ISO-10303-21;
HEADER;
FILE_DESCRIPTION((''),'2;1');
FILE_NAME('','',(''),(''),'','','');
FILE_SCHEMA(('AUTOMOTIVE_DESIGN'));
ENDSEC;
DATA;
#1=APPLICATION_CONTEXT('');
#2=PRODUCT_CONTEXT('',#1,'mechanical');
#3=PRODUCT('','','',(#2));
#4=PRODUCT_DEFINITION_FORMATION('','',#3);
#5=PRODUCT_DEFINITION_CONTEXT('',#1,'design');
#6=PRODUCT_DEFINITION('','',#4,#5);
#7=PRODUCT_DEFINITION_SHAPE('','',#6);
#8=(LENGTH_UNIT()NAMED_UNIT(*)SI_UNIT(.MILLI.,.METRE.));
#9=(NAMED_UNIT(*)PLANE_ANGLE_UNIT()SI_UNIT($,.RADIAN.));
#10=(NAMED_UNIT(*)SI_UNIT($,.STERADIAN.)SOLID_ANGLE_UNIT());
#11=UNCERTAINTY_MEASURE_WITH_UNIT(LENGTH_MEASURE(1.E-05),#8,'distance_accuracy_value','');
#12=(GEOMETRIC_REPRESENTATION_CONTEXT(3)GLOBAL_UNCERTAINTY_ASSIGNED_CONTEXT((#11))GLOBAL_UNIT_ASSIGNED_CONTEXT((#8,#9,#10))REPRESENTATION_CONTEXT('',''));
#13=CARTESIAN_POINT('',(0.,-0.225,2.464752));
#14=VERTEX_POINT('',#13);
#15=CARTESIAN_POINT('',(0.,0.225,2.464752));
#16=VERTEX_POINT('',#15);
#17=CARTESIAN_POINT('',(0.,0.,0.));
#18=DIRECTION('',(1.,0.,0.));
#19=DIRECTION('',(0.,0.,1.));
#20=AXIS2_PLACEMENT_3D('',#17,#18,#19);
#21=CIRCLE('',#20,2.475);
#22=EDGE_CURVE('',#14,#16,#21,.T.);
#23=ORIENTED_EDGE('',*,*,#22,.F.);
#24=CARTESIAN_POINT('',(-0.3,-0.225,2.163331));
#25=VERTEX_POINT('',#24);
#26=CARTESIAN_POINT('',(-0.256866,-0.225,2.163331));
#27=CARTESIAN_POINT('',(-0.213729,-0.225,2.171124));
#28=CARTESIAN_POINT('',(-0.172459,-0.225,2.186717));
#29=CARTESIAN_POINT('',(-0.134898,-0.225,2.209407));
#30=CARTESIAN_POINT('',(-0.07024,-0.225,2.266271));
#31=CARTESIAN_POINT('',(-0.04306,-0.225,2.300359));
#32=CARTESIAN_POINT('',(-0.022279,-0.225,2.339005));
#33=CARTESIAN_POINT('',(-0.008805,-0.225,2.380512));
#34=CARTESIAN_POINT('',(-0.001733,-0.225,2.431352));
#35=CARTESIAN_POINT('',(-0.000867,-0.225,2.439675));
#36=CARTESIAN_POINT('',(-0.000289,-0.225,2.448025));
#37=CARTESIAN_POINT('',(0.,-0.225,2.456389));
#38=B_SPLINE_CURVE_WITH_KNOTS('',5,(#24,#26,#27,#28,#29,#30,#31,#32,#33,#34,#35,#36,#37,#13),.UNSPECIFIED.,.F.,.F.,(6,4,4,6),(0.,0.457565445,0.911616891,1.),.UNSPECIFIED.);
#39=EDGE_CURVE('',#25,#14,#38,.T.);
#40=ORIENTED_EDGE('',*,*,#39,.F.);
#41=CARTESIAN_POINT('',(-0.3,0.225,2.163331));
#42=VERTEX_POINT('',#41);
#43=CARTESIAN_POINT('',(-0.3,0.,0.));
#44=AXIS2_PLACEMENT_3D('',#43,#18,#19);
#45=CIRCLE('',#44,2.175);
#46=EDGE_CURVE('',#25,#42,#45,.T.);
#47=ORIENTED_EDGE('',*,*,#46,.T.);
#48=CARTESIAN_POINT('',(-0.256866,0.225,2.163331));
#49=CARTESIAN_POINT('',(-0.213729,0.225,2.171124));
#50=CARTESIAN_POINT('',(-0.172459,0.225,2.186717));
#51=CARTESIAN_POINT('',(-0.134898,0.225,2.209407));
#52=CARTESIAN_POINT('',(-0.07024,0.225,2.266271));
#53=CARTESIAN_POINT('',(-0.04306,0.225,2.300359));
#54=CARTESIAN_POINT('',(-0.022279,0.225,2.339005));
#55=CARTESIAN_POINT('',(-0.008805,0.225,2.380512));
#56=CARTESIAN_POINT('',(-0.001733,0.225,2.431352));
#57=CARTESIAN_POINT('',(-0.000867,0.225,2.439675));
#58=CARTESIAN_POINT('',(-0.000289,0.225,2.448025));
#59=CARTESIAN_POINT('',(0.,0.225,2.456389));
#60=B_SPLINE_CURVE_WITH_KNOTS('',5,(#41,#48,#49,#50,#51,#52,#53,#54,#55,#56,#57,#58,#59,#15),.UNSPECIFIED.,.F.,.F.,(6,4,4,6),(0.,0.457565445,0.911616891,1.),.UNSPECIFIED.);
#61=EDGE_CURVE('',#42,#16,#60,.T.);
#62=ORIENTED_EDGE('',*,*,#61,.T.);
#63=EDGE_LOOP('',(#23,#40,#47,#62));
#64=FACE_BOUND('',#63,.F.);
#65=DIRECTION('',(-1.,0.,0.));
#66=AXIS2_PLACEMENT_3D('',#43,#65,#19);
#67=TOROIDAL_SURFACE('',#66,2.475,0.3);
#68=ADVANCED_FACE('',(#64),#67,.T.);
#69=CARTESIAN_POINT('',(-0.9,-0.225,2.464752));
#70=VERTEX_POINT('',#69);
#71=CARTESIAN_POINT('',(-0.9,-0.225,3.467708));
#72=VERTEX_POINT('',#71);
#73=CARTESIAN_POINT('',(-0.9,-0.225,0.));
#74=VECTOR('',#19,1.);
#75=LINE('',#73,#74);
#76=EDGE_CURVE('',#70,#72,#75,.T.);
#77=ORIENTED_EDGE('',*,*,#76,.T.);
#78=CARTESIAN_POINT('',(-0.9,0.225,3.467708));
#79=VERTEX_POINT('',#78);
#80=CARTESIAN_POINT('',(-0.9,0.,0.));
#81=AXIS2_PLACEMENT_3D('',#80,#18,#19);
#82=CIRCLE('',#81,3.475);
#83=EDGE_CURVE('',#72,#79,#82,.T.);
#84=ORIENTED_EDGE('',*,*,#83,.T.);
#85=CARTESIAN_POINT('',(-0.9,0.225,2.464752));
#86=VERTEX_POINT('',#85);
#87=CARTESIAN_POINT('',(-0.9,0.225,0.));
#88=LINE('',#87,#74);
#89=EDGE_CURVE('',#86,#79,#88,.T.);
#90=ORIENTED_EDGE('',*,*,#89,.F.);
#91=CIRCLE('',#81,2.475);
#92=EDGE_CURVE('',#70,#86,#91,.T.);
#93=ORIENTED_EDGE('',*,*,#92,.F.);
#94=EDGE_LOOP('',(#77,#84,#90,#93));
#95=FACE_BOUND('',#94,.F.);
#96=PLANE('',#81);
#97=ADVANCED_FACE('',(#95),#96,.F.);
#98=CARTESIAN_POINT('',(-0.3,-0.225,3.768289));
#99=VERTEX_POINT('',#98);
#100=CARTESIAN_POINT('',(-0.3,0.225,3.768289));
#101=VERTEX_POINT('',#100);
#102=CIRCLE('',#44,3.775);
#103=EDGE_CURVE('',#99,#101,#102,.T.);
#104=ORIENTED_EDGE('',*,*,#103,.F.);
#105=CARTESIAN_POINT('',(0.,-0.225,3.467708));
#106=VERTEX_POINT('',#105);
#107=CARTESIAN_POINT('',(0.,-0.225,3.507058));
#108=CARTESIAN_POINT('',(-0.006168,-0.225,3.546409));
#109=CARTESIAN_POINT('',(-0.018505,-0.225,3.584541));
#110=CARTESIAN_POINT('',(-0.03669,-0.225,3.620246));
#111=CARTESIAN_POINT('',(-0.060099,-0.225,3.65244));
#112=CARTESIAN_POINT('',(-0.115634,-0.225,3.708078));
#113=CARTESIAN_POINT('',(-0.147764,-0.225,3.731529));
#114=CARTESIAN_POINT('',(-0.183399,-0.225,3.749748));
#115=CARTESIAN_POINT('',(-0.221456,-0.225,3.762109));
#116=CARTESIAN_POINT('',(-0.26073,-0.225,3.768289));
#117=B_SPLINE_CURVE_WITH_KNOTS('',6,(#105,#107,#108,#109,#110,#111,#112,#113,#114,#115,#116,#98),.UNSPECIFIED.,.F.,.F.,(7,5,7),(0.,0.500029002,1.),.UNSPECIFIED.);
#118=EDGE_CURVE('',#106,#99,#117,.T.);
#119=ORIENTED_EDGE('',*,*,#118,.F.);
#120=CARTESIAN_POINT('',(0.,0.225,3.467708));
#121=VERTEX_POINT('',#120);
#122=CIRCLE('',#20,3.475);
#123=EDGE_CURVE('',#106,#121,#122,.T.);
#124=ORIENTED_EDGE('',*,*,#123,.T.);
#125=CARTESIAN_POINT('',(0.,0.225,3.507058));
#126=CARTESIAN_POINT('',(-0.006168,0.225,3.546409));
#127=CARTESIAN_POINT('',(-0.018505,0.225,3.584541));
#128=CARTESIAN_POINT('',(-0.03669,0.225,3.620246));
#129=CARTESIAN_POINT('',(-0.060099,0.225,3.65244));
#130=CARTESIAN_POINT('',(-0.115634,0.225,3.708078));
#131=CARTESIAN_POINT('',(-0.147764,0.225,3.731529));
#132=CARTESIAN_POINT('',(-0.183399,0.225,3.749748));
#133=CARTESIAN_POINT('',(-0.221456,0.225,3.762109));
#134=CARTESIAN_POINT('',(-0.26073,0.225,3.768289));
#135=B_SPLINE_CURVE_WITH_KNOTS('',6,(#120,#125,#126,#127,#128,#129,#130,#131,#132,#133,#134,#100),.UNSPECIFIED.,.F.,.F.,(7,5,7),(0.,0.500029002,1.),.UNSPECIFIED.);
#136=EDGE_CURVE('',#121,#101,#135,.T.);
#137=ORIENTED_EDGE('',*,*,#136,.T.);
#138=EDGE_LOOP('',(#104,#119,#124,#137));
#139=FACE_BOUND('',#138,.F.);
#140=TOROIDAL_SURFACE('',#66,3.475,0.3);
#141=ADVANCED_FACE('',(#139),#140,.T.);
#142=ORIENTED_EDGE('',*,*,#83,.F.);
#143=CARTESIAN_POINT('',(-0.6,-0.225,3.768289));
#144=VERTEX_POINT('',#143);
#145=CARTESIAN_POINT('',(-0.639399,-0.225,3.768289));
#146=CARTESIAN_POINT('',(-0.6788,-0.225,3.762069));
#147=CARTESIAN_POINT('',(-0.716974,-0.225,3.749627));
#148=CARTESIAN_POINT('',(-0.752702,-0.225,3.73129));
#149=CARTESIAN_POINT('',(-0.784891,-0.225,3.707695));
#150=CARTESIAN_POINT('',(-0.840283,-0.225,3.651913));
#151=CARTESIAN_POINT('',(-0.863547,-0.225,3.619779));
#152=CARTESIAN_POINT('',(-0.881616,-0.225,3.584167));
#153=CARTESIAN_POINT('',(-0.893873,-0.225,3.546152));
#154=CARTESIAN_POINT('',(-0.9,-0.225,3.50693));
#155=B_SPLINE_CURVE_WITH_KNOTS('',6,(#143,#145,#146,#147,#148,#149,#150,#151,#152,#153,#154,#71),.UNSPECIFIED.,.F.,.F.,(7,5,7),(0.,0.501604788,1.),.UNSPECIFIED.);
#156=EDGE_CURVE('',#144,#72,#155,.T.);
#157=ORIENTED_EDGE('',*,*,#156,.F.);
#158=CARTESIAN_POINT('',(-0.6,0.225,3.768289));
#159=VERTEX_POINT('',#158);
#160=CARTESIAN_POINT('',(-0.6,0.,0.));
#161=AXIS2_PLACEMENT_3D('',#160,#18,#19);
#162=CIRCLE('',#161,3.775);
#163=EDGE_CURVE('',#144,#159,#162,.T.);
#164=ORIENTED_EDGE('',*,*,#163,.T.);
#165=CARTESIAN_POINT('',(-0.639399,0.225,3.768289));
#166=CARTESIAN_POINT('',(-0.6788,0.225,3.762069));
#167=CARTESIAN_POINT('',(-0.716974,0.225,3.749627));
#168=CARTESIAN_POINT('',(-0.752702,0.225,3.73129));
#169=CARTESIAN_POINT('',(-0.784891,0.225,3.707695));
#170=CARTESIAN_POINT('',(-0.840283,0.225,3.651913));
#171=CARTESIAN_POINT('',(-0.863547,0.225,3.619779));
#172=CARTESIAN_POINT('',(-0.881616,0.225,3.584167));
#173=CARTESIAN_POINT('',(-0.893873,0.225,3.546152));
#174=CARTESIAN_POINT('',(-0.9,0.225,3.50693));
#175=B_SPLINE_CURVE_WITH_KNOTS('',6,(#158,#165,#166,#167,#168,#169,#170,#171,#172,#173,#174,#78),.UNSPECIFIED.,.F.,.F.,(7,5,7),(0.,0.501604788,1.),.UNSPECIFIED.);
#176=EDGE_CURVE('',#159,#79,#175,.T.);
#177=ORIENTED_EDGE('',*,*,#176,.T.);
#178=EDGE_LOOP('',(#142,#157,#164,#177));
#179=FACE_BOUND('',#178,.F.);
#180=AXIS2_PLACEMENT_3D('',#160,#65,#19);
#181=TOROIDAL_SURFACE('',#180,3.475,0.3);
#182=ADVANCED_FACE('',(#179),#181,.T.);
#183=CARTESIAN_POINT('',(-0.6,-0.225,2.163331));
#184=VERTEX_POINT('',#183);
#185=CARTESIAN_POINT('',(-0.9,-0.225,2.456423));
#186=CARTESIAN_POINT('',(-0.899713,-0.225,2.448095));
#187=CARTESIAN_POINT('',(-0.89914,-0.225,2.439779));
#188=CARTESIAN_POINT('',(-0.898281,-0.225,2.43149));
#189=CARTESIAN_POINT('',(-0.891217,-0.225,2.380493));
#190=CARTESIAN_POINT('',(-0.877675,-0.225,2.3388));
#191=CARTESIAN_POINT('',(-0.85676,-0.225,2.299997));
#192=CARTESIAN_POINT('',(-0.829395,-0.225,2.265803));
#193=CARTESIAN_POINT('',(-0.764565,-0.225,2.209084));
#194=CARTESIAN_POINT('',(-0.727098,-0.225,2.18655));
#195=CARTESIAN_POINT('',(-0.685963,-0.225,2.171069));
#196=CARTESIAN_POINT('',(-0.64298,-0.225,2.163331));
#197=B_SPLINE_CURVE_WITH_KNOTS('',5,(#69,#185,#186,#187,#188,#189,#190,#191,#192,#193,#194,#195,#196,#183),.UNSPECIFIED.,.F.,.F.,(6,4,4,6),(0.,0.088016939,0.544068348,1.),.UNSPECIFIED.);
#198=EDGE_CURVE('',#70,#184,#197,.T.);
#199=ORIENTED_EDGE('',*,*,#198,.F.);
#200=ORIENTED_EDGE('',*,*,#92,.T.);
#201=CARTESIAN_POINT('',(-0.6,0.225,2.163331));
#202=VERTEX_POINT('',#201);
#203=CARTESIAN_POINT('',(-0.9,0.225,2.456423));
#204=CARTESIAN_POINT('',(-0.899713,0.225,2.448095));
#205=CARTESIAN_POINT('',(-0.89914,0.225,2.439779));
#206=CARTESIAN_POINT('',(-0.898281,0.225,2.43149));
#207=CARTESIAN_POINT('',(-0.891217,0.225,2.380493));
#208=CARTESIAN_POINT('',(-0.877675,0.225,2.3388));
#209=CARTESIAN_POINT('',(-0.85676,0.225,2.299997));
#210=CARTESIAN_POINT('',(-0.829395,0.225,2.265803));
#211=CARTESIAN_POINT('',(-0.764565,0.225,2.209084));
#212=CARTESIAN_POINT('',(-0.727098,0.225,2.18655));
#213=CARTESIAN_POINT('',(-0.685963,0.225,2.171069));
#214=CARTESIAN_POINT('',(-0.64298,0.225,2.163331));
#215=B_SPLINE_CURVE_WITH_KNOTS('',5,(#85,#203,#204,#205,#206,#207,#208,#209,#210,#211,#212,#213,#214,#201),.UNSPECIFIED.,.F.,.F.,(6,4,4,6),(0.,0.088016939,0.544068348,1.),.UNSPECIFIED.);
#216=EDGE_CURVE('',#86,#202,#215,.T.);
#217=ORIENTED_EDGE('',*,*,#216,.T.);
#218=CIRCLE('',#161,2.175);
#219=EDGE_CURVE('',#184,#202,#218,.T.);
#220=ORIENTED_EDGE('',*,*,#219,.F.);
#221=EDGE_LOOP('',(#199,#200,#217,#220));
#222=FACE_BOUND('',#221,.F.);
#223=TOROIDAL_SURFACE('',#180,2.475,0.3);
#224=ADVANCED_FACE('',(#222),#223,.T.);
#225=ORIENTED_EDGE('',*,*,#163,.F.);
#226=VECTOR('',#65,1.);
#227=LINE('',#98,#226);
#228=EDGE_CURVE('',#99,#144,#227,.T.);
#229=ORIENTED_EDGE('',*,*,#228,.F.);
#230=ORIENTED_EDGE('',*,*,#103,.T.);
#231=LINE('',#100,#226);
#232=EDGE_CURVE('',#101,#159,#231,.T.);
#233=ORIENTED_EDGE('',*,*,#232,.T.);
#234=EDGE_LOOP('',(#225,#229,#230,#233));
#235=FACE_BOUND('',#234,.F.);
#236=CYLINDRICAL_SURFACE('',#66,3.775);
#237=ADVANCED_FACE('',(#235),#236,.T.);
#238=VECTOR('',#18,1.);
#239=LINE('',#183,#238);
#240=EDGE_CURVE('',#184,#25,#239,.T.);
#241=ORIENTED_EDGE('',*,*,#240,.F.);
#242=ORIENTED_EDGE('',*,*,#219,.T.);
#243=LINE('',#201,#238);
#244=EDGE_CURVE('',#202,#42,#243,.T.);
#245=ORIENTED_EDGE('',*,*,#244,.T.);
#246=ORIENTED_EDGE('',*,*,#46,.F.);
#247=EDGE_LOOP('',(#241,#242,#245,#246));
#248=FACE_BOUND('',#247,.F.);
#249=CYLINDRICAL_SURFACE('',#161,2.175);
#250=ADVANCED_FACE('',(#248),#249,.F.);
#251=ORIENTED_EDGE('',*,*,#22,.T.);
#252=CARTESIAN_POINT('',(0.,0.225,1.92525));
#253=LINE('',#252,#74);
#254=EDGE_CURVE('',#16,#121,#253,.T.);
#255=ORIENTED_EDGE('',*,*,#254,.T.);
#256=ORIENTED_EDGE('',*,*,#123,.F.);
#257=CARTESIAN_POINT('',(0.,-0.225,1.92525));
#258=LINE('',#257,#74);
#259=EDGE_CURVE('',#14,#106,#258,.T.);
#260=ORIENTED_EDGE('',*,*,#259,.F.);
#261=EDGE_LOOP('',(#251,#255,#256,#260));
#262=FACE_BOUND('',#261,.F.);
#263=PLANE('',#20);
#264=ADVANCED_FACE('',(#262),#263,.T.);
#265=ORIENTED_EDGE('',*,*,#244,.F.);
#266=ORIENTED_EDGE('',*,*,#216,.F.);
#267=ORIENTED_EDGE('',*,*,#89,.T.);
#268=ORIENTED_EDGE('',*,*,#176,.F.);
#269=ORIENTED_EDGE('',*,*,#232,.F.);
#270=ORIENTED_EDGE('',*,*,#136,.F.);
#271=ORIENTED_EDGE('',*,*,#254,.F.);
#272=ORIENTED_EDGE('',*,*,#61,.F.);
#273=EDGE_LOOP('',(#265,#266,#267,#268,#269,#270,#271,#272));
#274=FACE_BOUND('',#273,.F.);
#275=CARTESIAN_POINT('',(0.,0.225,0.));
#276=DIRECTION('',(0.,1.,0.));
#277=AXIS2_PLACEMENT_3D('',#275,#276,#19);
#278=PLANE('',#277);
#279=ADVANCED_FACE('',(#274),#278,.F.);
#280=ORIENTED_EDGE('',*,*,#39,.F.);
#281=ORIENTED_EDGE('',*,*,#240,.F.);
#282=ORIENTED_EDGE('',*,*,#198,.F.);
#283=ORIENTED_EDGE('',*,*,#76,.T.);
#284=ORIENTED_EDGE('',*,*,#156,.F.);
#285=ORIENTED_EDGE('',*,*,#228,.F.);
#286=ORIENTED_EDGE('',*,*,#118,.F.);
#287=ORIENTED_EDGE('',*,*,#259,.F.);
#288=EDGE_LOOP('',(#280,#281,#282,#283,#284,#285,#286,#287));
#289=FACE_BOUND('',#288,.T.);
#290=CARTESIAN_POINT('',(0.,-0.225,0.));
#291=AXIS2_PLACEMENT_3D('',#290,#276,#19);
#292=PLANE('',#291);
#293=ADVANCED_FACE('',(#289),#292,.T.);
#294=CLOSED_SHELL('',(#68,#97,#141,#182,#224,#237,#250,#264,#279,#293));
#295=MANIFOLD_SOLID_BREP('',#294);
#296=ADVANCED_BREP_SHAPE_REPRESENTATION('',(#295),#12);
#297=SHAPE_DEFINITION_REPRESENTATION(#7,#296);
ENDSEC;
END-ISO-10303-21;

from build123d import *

# Parameters (mm, degrees)
SKETCH2_W = 0.45
SKETCH2_H = 3.8505
GAP_DEPTH = 6.413986516


with BuildPart() as part:
    # Sketch1 → Base-Revolve (revolve)
    with BuildSketch(Plane.XY, mode=Mode.PRIVATE) as base_revolve_sk:
        with BuildLine():
            Line((0, 2.475), (0, 3.475))
            ThreePointArc((0, 3.475), (-0.087867966, 3.687132034), (-0.3, 3.775))
            Line((-0.3, 3.775), (-0.6, 3.775))
            ThreePointArc((-0.6, 3.775), (-0.812132034, 3.687132034), (-0.9, 3.475))
            Line((-0.9, 3.475), (-0.9, 2.475))
            ThreePointArc((-0.9, 2.475), (-0.812132034, 2.262867966), (-0.6, 2.175))
            Line((-0.6, 2.175), (-0.3, 2.175))
            ThreePointArc((-0.3, 2.175), (-0.087867966, 2.262867966), (0, 2.475))
        make_face()
    revolve(base_revolve_sk.sketch.rotate(Axis((-34.925, 0, 0), (1, 0, 0)), 90), axis=Axis((-34.925, 0, 0), (1, 0, 0)))

    # Sketch2 → Gap (cut, through all)
    with BuildSketch(Plane(origin=(0, 0, 0), x_dir=(0, -1, 0), z_dir=(-1, 0, 0))):
        with Locations((0, 1.92525)):
            Rectangle(SKETCH2_W, SKETCH2_H)
    extrude(amount=GAP_DEPTH, mode=Mode.SUBTRACT)


solid = part.part
